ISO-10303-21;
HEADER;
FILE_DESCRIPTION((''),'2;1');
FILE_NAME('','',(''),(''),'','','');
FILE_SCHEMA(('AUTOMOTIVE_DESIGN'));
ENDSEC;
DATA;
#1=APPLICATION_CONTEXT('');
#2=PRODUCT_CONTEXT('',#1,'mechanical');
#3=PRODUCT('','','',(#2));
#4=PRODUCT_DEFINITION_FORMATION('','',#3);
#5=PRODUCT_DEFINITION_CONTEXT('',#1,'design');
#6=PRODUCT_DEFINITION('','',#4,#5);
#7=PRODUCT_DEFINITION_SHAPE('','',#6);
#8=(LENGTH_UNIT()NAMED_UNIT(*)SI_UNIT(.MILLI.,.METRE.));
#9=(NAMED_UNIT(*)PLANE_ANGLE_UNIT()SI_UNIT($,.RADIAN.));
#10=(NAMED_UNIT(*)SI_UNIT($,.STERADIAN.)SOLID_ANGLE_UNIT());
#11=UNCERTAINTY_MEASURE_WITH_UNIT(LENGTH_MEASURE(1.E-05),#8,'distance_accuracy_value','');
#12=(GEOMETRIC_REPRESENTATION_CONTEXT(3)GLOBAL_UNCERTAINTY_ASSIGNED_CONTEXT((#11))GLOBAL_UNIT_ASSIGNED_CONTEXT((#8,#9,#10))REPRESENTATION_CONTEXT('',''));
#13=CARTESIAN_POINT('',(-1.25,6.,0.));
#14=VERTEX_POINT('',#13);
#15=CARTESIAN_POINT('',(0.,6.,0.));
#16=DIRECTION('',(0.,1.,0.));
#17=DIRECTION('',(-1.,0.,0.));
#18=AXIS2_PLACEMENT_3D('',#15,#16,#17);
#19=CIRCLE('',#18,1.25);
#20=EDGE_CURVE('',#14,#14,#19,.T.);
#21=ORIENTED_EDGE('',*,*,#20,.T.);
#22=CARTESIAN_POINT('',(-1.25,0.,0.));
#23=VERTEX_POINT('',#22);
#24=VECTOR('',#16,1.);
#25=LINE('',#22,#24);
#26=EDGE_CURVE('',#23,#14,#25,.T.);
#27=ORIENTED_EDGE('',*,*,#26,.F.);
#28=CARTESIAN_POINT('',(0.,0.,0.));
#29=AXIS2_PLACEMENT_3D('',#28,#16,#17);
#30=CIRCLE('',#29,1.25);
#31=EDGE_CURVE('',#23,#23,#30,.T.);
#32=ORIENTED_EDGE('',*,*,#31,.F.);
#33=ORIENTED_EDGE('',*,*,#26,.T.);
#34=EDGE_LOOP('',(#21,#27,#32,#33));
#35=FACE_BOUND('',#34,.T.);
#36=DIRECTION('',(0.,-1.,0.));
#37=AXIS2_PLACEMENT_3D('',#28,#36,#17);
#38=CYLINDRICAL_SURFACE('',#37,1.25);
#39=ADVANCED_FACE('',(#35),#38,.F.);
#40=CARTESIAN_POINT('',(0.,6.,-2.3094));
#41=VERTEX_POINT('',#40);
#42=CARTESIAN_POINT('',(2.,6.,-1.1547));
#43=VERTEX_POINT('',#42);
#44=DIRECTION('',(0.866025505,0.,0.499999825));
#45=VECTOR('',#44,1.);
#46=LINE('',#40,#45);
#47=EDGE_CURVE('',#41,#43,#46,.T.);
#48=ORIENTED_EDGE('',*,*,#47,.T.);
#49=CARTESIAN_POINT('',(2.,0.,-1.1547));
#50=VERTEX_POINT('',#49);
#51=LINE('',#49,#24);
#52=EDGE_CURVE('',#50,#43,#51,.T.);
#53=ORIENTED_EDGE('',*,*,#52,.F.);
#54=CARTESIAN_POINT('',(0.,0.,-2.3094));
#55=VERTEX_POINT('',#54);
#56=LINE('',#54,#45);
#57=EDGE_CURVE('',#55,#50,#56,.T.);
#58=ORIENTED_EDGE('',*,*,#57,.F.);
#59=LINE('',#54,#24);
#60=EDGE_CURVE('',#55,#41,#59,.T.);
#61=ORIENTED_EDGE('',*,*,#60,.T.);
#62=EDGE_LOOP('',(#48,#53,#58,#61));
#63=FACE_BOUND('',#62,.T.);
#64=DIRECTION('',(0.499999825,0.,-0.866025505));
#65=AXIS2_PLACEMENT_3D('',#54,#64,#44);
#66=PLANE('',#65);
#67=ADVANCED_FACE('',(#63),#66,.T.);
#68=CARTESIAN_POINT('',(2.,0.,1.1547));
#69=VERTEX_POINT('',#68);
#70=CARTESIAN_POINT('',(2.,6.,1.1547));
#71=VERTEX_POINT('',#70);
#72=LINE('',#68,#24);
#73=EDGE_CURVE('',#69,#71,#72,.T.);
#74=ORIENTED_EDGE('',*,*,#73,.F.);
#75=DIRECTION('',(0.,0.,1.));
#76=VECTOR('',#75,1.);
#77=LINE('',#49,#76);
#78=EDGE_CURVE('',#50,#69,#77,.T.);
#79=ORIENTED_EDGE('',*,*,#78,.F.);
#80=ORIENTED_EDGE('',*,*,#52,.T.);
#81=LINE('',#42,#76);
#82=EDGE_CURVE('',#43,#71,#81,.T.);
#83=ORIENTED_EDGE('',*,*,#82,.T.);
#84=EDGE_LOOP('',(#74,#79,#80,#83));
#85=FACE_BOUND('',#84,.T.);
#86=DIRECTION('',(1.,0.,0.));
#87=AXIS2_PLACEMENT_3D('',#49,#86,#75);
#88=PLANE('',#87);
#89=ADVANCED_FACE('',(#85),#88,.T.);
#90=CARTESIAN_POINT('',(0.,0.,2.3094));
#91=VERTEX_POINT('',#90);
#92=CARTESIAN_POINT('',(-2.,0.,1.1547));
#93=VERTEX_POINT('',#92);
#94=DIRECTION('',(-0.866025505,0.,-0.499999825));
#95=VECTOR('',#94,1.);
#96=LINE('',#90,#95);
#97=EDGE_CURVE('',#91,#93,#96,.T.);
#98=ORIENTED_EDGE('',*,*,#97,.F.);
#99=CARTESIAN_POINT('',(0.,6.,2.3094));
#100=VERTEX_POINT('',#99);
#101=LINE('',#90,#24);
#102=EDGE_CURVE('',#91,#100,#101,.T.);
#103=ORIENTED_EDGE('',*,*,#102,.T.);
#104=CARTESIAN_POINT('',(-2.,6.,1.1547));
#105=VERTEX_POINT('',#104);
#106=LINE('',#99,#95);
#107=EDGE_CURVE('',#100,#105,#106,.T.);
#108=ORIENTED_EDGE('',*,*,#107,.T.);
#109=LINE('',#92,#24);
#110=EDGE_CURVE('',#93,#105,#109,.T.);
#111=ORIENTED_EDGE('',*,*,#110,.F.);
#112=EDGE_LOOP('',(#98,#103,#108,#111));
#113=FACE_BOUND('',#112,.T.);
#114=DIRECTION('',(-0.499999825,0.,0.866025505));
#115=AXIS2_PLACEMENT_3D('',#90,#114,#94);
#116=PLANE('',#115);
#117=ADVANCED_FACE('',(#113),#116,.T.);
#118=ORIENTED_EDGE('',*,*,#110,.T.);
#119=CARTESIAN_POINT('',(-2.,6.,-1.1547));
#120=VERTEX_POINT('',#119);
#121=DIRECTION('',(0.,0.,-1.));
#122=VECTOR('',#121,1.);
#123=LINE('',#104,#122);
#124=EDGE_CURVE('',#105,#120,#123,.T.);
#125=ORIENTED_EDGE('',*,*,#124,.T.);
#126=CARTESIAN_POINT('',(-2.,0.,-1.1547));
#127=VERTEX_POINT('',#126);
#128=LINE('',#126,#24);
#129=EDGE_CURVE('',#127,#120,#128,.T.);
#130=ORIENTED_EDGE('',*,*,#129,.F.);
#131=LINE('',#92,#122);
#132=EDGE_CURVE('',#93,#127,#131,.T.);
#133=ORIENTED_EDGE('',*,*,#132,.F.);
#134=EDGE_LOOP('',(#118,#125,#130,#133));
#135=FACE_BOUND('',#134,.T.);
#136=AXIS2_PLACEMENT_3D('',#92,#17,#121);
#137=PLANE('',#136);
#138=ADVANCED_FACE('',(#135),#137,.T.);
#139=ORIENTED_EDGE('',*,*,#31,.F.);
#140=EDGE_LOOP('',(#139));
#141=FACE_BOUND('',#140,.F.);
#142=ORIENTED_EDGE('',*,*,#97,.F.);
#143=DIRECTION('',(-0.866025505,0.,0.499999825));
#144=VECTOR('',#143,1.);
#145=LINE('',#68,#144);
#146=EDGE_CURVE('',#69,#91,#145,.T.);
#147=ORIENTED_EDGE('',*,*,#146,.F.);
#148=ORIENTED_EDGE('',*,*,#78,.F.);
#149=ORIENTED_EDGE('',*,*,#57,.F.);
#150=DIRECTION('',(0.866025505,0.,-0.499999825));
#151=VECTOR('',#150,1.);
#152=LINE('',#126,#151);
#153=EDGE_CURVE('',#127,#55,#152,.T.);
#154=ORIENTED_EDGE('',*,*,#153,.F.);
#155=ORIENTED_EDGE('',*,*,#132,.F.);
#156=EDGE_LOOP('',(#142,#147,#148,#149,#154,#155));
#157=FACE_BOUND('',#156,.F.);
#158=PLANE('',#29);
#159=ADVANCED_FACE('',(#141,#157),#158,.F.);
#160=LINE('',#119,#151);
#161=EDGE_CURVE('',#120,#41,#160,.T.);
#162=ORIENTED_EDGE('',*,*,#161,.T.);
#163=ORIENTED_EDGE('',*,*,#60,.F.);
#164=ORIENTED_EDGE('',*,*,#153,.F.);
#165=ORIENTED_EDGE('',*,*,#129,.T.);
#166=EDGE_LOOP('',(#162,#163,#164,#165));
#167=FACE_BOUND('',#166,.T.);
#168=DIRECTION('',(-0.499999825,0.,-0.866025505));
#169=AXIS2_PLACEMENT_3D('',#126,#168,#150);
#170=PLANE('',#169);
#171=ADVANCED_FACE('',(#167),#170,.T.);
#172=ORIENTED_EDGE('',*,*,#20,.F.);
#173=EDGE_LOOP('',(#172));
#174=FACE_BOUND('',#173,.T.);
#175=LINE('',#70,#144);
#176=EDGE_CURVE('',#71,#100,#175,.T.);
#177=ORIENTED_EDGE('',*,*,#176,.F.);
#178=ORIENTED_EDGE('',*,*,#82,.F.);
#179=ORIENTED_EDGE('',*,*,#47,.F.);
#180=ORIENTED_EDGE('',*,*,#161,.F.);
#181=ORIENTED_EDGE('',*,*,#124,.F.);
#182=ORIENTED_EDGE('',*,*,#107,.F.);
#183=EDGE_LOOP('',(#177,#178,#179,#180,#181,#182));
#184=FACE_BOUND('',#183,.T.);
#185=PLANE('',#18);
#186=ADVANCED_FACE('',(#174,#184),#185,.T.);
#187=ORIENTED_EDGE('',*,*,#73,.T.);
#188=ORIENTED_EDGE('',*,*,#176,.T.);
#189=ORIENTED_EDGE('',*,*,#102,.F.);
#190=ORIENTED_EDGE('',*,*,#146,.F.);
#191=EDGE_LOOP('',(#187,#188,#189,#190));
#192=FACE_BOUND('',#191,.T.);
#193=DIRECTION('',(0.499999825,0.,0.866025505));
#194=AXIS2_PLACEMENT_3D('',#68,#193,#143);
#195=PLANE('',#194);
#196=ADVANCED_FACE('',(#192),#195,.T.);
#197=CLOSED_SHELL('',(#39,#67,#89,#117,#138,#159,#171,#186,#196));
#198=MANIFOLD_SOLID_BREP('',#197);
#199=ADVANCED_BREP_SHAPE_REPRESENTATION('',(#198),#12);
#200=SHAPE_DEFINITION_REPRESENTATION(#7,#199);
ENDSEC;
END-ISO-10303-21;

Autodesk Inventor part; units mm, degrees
ref_plane "YZ Plane" through (0, 0, 0) normal (1, 0, 0) x (0, 1, 0)
ref_plane "XZ Plane" through (0, 0, 0) normal (0, 1, 0) x (-1, 0, 0)
ref_plane "XY Plane" through (0, 0, 0) normal (0, 0, 1) x (1, 0, 0)
sketch "Sketch1" plane through (0, 0, 0) normal (0, 1, 0) x (-1, 0, 0)
  line L0 (0, -2.3094) -> (-2, -1.1547)
  line L1 (-2, -1.1547) -> (-2, 1.1547)
  line L2 (-2, 1.1547) -> (0, 2.3094)
  line L3 (0, 2.3094) -> (2, 1.1547)
  line L4 (2, 1.1547) -> (2, -1.1547)
  line L5 (2, -1.1547) -> (0, -2.3094)
  circle A0 centre (0, 0) radius 1.25
  dimension "d0" = 4
  dimension "d1" = 2.5
extrude "Extrusion1" add sketch "Sketch1" along normal blind 6
properties part number "standoff_20mm" material "Brass, Soft Yellow"
